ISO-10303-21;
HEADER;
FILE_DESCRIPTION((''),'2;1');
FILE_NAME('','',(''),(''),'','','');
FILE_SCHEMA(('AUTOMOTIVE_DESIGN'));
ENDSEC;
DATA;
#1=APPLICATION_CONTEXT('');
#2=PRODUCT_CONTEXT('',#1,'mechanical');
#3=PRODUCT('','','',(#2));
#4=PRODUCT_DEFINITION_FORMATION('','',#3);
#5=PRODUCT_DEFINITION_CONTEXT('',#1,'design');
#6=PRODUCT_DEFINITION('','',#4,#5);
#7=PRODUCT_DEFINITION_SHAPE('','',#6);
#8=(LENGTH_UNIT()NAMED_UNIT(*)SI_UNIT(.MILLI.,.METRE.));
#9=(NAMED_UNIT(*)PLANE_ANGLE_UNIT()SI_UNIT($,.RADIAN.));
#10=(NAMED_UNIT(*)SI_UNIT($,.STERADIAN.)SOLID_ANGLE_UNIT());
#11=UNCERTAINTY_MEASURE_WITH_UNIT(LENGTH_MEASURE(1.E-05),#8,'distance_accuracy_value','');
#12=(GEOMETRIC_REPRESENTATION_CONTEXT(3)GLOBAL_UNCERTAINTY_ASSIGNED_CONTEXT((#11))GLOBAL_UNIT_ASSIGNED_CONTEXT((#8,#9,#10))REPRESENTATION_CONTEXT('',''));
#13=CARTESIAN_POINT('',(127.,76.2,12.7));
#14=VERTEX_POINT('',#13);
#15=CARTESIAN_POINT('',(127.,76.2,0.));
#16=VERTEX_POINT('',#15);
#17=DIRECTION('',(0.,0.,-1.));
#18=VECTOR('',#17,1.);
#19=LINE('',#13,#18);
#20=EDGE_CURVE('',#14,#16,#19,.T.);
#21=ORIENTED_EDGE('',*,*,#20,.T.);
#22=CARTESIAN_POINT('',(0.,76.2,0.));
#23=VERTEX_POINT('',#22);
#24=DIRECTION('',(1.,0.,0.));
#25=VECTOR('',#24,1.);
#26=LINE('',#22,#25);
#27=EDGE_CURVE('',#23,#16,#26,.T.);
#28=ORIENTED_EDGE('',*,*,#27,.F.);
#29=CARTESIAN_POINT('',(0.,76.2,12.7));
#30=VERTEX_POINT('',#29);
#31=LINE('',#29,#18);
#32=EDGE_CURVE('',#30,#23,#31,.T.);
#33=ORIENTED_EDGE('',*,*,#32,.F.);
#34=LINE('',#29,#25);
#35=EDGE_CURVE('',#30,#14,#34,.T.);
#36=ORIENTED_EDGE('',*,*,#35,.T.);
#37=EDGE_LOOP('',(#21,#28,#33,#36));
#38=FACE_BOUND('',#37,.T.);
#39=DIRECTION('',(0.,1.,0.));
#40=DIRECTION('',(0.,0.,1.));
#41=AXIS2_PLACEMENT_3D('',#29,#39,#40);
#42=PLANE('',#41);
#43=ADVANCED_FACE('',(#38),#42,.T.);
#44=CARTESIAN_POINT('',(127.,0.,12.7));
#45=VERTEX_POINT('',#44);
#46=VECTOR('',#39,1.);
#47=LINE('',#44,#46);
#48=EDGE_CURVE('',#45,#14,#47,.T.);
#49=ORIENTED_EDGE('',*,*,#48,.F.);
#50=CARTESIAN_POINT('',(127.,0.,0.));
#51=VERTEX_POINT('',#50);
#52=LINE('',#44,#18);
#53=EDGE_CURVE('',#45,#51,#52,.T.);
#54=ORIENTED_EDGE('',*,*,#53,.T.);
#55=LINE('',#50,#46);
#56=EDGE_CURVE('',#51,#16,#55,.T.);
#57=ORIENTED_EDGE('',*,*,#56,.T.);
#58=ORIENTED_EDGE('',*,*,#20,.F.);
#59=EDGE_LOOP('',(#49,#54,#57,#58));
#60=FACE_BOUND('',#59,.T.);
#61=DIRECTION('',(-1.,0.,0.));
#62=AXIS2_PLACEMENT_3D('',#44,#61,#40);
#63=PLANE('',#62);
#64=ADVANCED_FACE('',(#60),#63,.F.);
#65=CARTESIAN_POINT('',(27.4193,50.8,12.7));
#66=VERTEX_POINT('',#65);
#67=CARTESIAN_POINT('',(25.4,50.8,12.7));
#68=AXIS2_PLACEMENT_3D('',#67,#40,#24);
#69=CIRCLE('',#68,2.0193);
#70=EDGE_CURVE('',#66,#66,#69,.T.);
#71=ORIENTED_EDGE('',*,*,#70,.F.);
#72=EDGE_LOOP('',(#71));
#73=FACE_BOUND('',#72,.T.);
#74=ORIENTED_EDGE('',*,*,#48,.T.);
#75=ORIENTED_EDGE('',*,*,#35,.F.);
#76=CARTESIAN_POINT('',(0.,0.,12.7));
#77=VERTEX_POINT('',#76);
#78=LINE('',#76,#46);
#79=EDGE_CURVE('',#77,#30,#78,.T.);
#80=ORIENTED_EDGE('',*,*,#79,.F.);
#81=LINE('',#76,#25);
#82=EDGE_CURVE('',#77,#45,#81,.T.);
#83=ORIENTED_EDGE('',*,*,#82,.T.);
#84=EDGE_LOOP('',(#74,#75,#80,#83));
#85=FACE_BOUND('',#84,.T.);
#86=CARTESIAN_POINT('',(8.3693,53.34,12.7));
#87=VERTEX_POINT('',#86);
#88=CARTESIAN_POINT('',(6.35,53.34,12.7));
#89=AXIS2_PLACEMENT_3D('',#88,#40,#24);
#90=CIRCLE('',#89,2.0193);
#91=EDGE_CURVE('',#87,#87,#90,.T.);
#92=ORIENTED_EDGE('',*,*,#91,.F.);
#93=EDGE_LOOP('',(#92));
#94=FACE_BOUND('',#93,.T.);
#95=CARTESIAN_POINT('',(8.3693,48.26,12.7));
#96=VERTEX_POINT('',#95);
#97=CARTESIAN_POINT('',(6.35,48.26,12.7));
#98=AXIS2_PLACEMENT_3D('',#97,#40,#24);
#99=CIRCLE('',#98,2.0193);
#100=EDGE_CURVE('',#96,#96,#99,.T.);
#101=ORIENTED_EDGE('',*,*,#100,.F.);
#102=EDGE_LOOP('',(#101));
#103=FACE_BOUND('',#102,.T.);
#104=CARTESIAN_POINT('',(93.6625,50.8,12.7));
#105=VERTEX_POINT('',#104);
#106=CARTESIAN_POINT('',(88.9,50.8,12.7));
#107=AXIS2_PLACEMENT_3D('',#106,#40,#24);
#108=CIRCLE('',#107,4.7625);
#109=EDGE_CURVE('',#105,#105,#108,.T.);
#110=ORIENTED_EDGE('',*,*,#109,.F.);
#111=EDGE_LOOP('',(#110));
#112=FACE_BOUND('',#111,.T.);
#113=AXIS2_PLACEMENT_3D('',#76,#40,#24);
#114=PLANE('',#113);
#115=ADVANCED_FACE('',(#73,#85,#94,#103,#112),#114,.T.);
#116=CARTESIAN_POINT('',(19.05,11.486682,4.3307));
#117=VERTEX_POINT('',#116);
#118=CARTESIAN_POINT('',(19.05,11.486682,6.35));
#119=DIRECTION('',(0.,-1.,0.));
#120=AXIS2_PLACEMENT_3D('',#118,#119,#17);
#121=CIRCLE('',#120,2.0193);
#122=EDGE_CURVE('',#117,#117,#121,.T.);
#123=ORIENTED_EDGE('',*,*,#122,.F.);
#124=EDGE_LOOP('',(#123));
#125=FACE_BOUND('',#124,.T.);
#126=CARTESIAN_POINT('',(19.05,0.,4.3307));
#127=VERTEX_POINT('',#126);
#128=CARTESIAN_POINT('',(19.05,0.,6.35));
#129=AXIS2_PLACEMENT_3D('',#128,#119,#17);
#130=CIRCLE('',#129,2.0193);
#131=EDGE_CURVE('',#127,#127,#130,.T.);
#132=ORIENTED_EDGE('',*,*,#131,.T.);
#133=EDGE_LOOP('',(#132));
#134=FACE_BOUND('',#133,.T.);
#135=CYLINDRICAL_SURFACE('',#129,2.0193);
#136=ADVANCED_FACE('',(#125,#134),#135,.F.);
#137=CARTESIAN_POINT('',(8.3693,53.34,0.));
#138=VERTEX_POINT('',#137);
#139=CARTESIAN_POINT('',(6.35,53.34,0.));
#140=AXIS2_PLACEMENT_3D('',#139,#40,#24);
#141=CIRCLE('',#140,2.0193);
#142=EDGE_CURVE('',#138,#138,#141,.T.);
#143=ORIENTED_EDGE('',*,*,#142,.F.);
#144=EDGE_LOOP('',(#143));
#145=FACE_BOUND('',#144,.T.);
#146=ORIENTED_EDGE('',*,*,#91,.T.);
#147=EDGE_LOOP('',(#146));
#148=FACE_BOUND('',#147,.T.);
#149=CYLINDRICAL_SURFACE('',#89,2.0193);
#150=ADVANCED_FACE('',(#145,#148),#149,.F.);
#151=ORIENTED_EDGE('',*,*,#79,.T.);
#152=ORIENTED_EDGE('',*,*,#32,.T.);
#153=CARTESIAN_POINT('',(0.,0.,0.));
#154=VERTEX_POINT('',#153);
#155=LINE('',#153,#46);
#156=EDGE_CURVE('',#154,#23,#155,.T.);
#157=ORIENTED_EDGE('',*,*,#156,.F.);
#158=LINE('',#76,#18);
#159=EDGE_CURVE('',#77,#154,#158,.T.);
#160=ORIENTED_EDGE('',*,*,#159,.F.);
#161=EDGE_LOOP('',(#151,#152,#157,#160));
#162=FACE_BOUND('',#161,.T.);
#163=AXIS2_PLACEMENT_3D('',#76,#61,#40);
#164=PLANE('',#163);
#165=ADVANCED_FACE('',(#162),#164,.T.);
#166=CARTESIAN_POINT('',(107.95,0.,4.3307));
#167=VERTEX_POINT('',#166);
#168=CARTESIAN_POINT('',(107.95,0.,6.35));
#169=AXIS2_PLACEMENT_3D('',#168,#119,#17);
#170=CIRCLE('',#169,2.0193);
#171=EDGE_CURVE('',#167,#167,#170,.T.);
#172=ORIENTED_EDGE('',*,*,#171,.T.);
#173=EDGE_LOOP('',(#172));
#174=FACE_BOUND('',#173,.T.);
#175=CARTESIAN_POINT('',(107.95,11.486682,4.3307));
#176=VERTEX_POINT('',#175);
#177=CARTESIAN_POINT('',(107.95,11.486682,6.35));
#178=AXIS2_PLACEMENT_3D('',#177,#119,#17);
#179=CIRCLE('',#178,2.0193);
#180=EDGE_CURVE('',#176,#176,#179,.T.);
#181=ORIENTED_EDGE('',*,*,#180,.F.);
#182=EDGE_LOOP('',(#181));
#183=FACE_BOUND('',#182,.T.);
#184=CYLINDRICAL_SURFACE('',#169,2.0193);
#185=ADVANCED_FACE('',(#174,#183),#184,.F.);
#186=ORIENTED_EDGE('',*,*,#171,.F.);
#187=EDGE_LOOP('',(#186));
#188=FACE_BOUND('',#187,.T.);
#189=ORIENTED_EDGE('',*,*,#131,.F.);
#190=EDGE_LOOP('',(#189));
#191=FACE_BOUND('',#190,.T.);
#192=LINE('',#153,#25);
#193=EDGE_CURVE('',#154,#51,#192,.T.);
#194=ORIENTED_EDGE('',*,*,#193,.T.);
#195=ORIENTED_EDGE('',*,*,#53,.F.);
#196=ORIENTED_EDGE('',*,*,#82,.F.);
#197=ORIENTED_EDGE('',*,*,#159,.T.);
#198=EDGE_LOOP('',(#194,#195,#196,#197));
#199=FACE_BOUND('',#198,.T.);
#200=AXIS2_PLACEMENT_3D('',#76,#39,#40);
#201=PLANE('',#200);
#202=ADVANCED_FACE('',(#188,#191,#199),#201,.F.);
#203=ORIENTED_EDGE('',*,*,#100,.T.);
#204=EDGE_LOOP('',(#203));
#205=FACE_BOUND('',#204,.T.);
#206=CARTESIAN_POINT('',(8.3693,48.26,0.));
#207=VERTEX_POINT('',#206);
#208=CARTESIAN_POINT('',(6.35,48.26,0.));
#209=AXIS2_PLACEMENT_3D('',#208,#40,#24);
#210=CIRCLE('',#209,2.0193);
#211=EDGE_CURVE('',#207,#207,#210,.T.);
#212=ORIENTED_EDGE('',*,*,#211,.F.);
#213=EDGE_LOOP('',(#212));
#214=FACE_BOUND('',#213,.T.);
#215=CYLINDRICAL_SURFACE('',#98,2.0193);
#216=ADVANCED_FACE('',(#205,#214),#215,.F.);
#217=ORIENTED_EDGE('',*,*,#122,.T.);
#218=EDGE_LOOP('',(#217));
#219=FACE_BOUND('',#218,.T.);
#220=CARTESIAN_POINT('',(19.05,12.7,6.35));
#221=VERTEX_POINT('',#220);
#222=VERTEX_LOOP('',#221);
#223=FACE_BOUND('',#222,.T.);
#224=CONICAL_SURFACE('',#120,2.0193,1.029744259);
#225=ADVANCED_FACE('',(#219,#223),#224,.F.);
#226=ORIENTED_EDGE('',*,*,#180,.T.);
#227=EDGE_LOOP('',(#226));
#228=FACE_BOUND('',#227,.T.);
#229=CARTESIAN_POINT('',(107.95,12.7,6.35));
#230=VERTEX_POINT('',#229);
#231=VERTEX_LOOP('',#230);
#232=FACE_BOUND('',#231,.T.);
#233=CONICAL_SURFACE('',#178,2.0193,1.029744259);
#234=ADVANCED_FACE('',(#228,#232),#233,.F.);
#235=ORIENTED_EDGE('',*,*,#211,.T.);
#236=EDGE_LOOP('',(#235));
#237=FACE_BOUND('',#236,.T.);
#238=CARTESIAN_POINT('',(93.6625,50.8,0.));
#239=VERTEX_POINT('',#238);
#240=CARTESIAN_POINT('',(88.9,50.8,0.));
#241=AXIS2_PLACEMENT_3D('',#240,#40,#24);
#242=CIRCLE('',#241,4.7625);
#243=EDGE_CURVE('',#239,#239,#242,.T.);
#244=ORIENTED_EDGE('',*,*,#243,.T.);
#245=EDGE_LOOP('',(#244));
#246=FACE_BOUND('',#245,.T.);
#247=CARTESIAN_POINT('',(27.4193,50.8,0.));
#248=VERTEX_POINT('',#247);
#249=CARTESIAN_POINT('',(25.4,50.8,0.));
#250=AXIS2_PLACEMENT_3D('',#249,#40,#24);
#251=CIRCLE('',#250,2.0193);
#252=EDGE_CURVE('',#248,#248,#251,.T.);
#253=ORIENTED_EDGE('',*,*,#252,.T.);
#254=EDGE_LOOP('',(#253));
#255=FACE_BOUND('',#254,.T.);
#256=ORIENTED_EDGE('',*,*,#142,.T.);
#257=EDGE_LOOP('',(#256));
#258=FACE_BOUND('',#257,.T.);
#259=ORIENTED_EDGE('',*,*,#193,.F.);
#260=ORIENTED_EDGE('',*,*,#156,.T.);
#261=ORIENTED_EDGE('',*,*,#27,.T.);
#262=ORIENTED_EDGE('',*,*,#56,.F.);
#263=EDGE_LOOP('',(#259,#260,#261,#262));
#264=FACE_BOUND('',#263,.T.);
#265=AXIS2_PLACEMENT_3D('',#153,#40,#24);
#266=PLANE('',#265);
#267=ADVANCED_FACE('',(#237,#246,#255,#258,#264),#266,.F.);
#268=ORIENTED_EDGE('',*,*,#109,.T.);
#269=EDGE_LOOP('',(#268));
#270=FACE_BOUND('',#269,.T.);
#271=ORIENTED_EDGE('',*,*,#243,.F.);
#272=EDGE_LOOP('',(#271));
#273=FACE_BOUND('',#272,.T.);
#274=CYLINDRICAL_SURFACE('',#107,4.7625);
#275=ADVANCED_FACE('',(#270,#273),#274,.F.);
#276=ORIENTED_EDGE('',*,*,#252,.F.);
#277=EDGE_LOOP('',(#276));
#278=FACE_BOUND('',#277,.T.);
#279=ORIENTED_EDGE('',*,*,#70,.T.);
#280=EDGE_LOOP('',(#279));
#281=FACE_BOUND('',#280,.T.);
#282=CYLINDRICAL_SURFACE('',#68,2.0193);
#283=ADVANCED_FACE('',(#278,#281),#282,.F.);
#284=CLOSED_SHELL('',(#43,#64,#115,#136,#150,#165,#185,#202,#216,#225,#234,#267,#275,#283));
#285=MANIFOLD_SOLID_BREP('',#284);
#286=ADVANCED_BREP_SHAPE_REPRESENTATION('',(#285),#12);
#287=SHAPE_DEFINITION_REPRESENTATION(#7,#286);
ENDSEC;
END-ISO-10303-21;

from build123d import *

# Parameters (mm, degrees)
SKETCH1_W                       = 127
SKETCH1_H                       = 76.2
BOSS_EXTRUDE1_DEPTH             = 12.7
F_1_32_0_159_DIAMETER_HOLE1_D   = 4.0386
F_10_32_TAPPED_HOLE1_D          = 4.0386
F_10_32_TAPPED_HOLE1_DEPTH      = 11.486682152
F_10_32_TAPPED_HOLE1_TIP        = 1.213317848
F_3_8_0_375_DIAMETER_HOLE1_D    = 9.525
F_10_32_TAPPED_HOLE2_D          = 4.0386
F_10_32_TAPPED_HOLE2_DEPTH      = 14.478
F_10_32_TAPPED_HOLE2_TIP        = 1.213317848
F_21_0_159_DIAMETER_HOLE1_D     = 4.0386
F_21_0_159_DIAMETER_HOLE1_DEPTH = 14.478
F_21_0_159_DIAMETER_HOLE1_TIP   = 1.213317848


with BuildPart() as part:
    # Sketch1 → Boss-Extrude1 (new body)
    with BuildSketch(Plane.XY):
        with Locations((63.5, 38.1)):
            Rectangle(SKETCH1_W, SKETCH1_H)
    extrude(amount=BOSS_EXTRUDE1_DEPTH)

    # 1/32 (0.159) Diameter Hole1 (through all)
    with Locations(Plane.XY.offset(12.7)):
        with Locations((25.4, 50.8)):
            Hole(F_1_32_0_159_DIAMETER_HOLE1_D / 2)

    # #10-32 Tapped Hole1
    with Locations(Plane(origin=(0, 0, 0), x_dir=(-1, 0, 0), z_dir=(0, -1, 0))):
        with Locations((-19.05, -6.35), (-107.95, -6.35)):
            Hole(F_10_32_TAPPED_HOLE1_D / 2, depth=F_10_32_TAPPED_HOLE1_DEPTH)
            with Locations((0, 0, -(F_10_32_TAPPED_HOLE1_DEPTH + F_10_32_TAPPED_HOLE1_TIP / 2))):  # 118° drill point
                Cone(0, F_10_32_TAPPED_HOLE1_D / 2, F_10_32_TAPPED_HOLE1_TIP, mode=Mode.SUBTRACT)

    # 3/8 (0.375) Diameter Hole1 (through all)
    with Locations(Plane.XY.offset(12.7)):
        with Locations((88.9, 50.8)):
            Hole(F_3_8_0_375_DIAMETER_HOLE1_D / 2)

    # #10-32 Tapped Hole2
    with Locations(Plane.XY.offset(12.7)):
        with Locations((6.35, 48.26)):
            Hole(F_10_32_TAPPED_HOLE2_D / 2, depth=F_10_32_TAPPED_HOLE2_DEPTH)
            with Locations((0, 0, -(F_10_32_TAPPED_HOLE2_DEPTH + F_10_32_TAPPED_HOLE2_TIP / 2))):  # 118° drill point
                Cone(0, F_10_32_TAPPED_HOLE2_D / 2, F_10_32_TAPPED_HOLE2_TIP, mode=Mode.SUBTRACT)

    # #21 (0.159) Diameter Hole1
    with Locations(Plane.XY.offset(12.7)):
        with Locations((6.35, 53.34)):
            Hole(F_21_0_159_DIAMETER_HOLE1_D / 2, depth=F_21_0_159_DIAMETER_HOLE1_DEPTH)
            with Locations((0, 0, -(F_21_0_159_DIAMETER_HOLE1_DEPTH + F_21_0_159_DIAMETER_HOLE1_TIP / 2))):  # 118° drill point
                Cone(0, F_21_0_159_DIAMETER_HOLE1_D / 2, F_21_0_159_DIAMETER_HOLE1_TIP, mode=Mode.SUBTRACT)


solid = part.part
